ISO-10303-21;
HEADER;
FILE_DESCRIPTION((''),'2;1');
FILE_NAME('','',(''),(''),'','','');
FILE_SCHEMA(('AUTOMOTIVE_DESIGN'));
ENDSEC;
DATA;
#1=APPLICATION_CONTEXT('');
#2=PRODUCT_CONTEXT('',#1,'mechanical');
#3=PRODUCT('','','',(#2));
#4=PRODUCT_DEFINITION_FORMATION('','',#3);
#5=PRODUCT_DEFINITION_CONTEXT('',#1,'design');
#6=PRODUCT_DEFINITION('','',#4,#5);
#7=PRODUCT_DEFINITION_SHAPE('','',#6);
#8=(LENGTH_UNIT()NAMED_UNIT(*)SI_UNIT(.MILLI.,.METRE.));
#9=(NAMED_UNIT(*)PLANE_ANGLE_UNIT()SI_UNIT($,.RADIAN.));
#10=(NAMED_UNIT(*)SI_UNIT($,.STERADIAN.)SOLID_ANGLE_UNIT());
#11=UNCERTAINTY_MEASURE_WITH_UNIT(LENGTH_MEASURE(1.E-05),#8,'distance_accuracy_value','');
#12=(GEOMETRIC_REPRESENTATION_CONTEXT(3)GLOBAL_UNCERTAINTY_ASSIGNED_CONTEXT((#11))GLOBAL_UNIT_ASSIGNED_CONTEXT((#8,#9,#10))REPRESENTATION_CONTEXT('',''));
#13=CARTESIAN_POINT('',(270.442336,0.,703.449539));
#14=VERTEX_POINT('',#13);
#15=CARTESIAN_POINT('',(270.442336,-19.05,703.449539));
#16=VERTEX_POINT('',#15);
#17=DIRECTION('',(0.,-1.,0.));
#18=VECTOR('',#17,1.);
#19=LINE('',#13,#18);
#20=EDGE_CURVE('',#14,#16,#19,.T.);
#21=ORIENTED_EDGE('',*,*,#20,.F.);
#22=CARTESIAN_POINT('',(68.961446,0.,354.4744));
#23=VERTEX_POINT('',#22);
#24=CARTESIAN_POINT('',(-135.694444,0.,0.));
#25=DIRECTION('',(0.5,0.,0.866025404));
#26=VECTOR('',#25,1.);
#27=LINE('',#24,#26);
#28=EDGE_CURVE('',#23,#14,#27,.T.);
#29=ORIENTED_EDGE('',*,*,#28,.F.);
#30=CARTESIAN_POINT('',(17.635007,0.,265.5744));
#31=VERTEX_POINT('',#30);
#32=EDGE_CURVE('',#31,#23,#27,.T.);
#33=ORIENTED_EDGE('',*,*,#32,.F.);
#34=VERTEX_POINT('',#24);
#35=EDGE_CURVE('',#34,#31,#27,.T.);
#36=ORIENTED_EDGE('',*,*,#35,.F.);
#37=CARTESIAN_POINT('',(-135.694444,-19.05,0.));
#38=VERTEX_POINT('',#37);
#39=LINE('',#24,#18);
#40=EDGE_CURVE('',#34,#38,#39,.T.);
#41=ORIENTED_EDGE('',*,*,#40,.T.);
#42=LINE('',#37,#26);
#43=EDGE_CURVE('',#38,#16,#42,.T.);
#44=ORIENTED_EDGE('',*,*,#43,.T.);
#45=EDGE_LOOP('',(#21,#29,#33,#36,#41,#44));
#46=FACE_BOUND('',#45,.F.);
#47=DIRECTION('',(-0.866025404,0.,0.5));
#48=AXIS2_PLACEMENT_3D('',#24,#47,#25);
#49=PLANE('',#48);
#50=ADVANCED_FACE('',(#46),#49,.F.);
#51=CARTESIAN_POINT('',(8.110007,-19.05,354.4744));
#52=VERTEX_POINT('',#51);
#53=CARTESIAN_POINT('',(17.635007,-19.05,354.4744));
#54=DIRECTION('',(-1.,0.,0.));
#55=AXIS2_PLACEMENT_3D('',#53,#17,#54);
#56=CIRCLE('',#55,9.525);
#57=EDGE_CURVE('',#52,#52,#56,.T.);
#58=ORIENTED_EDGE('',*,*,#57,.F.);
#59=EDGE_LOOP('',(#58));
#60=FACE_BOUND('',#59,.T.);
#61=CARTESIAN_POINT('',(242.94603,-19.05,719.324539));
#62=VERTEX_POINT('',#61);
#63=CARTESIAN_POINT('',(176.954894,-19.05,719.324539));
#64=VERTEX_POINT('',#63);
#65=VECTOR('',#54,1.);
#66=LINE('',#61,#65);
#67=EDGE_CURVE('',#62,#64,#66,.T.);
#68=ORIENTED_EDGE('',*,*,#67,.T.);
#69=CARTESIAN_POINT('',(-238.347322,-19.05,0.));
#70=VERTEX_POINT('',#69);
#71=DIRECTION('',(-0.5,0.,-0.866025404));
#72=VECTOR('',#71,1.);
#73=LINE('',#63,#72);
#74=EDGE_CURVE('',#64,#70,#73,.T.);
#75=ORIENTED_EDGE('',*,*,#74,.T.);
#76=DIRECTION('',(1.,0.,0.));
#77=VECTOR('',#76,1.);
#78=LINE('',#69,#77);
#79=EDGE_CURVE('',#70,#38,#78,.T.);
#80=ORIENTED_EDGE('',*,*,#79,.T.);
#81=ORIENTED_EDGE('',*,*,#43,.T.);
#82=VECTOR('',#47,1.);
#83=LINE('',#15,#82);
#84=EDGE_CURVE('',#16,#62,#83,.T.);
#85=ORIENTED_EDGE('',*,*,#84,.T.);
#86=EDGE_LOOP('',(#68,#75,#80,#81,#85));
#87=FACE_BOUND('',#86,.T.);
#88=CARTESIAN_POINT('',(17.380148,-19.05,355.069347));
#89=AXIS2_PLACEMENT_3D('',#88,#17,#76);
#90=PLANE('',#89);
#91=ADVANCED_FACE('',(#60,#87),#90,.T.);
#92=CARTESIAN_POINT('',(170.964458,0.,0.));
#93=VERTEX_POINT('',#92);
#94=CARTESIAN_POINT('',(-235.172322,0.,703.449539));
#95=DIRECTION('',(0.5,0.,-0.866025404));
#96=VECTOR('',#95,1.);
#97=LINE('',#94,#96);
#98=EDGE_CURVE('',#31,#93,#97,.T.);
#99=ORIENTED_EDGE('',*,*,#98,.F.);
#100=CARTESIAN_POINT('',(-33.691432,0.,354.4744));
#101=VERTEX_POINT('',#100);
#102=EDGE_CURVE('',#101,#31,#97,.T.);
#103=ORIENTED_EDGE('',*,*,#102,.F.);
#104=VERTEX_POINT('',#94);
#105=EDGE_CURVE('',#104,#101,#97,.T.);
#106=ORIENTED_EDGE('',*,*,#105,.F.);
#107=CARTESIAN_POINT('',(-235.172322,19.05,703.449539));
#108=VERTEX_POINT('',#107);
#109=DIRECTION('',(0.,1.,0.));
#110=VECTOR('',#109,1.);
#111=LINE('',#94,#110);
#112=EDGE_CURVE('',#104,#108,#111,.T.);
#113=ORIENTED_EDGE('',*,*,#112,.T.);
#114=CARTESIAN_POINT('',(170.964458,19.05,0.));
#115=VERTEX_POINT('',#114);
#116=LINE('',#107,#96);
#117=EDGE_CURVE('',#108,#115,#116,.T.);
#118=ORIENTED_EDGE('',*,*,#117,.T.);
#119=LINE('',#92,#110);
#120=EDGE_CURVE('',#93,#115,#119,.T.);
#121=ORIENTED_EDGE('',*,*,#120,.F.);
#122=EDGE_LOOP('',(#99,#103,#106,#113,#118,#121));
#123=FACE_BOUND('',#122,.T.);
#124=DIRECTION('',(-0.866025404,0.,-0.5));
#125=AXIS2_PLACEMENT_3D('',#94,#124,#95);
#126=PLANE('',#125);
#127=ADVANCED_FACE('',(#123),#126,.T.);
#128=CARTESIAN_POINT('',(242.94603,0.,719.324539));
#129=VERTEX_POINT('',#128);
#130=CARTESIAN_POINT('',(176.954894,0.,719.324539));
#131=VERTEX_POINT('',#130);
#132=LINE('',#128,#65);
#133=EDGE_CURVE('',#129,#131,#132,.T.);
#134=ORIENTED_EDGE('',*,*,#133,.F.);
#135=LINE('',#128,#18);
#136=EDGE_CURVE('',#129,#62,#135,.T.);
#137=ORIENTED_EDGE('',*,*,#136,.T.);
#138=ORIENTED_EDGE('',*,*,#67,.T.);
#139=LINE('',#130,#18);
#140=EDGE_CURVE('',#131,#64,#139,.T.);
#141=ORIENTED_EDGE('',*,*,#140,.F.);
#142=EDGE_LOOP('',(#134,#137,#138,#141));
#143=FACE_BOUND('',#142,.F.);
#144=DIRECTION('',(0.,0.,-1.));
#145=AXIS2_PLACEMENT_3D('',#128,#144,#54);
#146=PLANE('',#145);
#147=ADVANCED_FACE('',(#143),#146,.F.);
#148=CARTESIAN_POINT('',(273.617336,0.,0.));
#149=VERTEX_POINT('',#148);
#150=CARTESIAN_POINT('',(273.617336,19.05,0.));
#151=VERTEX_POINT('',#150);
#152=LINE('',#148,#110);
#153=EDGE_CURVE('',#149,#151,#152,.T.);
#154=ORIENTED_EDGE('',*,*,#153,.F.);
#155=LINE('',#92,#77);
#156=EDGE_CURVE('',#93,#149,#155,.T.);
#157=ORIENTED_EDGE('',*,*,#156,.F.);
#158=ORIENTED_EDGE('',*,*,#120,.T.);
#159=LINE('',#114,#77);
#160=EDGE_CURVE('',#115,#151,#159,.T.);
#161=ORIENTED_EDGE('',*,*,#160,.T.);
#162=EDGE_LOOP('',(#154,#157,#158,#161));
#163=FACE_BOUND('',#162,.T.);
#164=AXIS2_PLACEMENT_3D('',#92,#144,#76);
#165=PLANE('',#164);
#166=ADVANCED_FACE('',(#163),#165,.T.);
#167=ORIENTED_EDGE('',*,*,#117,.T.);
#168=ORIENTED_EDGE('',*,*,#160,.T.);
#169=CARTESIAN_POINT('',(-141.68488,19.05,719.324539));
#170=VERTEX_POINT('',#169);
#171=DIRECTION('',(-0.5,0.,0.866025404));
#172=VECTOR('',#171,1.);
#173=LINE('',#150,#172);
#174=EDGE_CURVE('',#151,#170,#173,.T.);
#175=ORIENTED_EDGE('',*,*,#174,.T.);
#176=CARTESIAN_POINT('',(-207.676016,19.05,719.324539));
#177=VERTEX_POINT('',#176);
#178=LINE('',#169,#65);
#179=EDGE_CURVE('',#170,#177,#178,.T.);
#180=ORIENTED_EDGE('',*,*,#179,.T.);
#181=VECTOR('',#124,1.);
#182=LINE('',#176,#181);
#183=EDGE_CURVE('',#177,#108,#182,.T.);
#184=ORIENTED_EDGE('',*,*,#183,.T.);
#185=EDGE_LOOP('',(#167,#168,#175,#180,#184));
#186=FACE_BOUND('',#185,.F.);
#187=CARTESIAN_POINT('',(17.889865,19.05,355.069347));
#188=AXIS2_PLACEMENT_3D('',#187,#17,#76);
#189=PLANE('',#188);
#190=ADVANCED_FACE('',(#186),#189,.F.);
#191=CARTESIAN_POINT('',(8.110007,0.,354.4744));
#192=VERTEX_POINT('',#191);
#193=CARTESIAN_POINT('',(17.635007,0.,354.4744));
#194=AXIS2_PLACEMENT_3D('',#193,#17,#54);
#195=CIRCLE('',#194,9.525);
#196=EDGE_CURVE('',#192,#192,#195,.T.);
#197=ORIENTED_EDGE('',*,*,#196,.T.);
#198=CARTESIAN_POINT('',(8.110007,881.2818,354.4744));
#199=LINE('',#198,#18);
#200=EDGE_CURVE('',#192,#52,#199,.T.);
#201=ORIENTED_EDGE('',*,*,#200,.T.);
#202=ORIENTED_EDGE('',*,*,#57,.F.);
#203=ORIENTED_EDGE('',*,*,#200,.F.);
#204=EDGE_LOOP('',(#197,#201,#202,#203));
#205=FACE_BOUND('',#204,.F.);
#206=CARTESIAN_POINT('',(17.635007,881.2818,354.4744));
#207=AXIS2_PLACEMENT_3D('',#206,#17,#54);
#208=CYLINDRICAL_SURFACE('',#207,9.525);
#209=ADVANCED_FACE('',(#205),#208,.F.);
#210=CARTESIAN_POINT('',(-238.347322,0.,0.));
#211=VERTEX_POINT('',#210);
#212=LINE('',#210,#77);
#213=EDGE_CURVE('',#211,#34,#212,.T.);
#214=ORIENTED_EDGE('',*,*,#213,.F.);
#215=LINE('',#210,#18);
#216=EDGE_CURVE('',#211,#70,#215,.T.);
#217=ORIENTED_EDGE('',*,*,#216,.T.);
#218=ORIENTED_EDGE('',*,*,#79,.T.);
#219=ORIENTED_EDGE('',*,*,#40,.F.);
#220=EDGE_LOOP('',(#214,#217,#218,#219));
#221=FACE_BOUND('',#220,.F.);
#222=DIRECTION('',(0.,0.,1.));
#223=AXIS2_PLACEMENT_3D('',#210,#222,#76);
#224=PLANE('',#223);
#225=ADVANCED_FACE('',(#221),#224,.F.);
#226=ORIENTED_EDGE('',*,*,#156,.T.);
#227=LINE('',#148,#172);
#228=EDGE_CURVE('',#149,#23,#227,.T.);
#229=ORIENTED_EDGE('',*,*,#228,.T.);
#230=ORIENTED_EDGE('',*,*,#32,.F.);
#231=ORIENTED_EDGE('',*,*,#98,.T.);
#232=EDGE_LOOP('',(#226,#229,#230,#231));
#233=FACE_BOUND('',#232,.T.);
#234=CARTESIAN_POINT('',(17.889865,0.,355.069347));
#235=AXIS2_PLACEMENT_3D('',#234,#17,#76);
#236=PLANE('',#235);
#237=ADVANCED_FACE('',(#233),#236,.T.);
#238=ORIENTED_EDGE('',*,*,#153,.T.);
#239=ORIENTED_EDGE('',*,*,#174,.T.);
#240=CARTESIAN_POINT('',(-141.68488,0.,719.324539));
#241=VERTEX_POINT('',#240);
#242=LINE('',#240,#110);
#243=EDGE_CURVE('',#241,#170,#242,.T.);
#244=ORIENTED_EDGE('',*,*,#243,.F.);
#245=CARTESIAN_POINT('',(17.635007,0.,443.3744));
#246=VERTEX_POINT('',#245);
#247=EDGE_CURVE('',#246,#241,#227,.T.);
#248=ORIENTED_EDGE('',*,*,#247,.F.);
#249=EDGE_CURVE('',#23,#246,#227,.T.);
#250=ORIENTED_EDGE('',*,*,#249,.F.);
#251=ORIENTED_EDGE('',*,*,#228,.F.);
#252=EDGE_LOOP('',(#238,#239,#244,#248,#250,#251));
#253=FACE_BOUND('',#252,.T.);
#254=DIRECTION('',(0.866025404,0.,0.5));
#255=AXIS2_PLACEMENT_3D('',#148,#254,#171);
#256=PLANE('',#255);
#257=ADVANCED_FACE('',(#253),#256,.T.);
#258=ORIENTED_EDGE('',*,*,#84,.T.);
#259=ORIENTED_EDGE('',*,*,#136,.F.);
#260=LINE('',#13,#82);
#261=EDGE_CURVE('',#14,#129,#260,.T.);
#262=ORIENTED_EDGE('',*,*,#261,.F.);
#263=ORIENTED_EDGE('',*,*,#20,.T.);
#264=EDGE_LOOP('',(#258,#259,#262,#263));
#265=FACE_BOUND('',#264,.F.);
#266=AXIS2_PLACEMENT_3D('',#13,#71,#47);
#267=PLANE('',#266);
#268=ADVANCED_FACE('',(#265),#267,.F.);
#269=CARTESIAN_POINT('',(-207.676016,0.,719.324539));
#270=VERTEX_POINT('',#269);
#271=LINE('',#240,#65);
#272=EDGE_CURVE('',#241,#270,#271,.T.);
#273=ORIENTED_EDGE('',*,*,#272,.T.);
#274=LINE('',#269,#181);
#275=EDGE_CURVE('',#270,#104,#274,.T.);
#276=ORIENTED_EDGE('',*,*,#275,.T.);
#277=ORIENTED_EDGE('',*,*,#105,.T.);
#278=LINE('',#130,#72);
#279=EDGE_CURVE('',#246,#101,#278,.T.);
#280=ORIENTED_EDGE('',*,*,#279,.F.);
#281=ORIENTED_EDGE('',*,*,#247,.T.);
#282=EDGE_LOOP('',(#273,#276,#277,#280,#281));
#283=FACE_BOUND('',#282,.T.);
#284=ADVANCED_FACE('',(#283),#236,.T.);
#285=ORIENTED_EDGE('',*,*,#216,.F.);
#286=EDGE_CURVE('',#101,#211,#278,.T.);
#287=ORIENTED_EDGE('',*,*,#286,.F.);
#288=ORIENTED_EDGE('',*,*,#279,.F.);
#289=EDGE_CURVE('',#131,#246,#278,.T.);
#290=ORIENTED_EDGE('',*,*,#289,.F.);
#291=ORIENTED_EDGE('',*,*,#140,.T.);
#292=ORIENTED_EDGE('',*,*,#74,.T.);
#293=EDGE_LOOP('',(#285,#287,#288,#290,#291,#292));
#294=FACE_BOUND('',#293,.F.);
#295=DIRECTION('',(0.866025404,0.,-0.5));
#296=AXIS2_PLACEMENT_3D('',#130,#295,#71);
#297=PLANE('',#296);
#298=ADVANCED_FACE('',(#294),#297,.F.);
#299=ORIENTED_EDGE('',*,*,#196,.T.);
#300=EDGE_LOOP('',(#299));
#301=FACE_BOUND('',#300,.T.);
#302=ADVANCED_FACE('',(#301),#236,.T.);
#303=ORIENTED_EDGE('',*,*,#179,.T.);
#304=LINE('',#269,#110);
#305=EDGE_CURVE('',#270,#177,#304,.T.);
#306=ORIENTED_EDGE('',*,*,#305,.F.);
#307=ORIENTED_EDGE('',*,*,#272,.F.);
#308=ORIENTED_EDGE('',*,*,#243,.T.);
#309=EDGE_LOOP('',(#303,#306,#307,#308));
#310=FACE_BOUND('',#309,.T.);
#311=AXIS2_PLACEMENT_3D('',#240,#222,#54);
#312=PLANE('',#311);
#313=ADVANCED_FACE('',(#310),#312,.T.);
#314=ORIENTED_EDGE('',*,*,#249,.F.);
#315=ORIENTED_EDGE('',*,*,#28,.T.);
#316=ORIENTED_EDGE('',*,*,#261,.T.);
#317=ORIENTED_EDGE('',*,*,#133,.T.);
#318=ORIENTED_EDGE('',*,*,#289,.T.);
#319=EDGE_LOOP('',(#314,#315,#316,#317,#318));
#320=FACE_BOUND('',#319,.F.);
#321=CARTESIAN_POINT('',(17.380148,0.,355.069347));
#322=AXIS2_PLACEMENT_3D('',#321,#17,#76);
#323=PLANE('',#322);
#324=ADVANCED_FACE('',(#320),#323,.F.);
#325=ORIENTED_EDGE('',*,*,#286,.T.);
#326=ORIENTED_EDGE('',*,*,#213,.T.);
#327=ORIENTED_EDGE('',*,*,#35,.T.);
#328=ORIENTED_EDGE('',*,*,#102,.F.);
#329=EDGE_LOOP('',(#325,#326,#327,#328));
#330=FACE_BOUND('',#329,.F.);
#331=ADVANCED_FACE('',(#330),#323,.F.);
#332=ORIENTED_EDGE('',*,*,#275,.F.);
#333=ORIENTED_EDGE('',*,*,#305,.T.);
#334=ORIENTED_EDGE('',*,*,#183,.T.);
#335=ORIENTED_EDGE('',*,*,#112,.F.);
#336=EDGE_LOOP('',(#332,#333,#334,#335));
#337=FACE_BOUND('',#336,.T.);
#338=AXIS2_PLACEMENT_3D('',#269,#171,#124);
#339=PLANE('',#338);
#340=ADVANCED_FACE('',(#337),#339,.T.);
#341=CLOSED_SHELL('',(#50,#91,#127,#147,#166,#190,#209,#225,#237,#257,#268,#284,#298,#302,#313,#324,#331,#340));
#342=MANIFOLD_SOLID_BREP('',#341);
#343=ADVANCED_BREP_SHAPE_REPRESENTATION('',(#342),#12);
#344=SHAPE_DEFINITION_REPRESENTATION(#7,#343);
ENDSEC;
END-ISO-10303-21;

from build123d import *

# Parameters (mm, degrees)
F1_DEPTH = 19.05
F3_D     = 19.05
F5_DEPTH = 19.05


with BuildPart() as f1:
    # F0 (on Front) → F1 (new body)
    with BuildSketch(Plane.XZ):
        Polygon((176.9548937415, 719.3245387082), (-238.3473223164, 0), (-135.6944444544, 0), (270.4423360801, 703.4495387082), (242.9460295099, 719.3245387082), align=None)
    extrude(amount=F1_DEPTH)

    # F3 (through all)
    with Locations(Plane(origin=(0, 0, 0), x_dir=(1, 0, 0), z_dir=(0, 1, 0))):
        with Locations((17.6350068819, -354.4744000111)):
            Hole(F3_D / 2)

    # F4 (on Front) → F5 (join)
    with BuildSketch(Plane.XZ):
        Polygon((170.9644582182, 0), (273.6173360801, 0), (-141.6848799778, 719.3245387082), (-207.6760157462, 719.3245387082), (-235.1723223164, 703.4495387082), align=None)
    extrude(amount=-F5_DEPTH)


solid = f1.part
